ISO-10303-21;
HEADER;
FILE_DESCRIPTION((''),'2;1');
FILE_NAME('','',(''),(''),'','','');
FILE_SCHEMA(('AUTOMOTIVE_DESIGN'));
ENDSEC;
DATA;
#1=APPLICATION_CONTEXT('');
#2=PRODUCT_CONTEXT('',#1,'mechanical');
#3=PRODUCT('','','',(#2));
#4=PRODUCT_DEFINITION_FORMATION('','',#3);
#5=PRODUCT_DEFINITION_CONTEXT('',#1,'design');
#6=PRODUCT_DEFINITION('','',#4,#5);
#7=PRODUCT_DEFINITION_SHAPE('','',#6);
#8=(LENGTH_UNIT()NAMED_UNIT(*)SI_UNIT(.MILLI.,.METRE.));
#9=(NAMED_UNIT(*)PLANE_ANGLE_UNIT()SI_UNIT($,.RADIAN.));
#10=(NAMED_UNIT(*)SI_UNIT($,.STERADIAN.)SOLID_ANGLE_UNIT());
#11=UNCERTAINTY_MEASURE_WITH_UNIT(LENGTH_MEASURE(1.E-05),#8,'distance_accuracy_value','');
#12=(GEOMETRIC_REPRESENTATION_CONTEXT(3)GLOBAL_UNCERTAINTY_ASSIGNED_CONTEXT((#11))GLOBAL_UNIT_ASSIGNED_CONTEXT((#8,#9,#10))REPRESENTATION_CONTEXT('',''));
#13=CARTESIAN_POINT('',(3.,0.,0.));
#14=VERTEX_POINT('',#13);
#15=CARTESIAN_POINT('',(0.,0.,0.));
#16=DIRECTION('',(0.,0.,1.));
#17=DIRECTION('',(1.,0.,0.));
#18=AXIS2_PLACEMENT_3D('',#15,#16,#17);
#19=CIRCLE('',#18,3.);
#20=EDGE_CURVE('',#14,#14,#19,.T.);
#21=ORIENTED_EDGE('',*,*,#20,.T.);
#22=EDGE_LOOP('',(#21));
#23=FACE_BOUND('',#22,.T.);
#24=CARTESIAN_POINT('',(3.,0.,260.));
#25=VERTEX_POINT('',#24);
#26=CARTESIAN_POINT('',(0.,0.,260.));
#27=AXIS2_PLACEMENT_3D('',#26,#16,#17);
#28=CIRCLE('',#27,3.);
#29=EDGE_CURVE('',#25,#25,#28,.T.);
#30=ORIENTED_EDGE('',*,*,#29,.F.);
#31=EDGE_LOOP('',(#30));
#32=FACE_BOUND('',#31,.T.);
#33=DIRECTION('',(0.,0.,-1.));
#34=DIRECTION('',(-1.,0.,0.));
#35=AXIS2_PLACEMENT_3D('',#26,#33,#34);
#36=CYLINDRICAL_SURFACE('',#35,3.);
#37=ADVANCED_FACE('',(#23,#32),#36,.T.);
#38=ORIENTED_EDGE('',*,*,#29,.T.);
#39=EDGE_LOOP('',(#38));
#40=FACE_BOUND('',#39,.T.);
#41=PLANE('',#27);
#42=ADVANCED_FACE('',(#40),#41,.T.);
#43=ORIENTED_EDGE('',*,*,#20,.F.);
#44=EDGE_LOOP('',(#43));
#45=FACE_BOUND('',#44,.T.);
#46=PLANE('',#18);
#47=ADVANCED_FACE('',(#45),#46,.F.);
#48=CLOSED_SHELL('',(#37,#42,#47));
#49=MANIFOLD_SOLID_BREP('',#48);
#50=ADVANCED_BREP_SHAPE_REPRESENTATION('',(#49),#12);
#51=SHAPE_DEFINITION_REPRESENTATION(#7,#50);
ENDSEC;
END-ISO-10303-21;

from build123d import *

# Parameters (mm, degrees)
SZKIC1_R                    = 3
DODANIE_WYCI_GNI_CIE1_DEPTH = 260


with BuildPart() as part:
    # Szkic1 → Dodanie-wyciągnięcie1 (new body)
    with BuildSketch(Plane.XY):
        Circle(SZKIC1_R)
    extrude(amount=DODANIE_WYCI_GNI_CIE1_DEPTH)


solid = part.part
